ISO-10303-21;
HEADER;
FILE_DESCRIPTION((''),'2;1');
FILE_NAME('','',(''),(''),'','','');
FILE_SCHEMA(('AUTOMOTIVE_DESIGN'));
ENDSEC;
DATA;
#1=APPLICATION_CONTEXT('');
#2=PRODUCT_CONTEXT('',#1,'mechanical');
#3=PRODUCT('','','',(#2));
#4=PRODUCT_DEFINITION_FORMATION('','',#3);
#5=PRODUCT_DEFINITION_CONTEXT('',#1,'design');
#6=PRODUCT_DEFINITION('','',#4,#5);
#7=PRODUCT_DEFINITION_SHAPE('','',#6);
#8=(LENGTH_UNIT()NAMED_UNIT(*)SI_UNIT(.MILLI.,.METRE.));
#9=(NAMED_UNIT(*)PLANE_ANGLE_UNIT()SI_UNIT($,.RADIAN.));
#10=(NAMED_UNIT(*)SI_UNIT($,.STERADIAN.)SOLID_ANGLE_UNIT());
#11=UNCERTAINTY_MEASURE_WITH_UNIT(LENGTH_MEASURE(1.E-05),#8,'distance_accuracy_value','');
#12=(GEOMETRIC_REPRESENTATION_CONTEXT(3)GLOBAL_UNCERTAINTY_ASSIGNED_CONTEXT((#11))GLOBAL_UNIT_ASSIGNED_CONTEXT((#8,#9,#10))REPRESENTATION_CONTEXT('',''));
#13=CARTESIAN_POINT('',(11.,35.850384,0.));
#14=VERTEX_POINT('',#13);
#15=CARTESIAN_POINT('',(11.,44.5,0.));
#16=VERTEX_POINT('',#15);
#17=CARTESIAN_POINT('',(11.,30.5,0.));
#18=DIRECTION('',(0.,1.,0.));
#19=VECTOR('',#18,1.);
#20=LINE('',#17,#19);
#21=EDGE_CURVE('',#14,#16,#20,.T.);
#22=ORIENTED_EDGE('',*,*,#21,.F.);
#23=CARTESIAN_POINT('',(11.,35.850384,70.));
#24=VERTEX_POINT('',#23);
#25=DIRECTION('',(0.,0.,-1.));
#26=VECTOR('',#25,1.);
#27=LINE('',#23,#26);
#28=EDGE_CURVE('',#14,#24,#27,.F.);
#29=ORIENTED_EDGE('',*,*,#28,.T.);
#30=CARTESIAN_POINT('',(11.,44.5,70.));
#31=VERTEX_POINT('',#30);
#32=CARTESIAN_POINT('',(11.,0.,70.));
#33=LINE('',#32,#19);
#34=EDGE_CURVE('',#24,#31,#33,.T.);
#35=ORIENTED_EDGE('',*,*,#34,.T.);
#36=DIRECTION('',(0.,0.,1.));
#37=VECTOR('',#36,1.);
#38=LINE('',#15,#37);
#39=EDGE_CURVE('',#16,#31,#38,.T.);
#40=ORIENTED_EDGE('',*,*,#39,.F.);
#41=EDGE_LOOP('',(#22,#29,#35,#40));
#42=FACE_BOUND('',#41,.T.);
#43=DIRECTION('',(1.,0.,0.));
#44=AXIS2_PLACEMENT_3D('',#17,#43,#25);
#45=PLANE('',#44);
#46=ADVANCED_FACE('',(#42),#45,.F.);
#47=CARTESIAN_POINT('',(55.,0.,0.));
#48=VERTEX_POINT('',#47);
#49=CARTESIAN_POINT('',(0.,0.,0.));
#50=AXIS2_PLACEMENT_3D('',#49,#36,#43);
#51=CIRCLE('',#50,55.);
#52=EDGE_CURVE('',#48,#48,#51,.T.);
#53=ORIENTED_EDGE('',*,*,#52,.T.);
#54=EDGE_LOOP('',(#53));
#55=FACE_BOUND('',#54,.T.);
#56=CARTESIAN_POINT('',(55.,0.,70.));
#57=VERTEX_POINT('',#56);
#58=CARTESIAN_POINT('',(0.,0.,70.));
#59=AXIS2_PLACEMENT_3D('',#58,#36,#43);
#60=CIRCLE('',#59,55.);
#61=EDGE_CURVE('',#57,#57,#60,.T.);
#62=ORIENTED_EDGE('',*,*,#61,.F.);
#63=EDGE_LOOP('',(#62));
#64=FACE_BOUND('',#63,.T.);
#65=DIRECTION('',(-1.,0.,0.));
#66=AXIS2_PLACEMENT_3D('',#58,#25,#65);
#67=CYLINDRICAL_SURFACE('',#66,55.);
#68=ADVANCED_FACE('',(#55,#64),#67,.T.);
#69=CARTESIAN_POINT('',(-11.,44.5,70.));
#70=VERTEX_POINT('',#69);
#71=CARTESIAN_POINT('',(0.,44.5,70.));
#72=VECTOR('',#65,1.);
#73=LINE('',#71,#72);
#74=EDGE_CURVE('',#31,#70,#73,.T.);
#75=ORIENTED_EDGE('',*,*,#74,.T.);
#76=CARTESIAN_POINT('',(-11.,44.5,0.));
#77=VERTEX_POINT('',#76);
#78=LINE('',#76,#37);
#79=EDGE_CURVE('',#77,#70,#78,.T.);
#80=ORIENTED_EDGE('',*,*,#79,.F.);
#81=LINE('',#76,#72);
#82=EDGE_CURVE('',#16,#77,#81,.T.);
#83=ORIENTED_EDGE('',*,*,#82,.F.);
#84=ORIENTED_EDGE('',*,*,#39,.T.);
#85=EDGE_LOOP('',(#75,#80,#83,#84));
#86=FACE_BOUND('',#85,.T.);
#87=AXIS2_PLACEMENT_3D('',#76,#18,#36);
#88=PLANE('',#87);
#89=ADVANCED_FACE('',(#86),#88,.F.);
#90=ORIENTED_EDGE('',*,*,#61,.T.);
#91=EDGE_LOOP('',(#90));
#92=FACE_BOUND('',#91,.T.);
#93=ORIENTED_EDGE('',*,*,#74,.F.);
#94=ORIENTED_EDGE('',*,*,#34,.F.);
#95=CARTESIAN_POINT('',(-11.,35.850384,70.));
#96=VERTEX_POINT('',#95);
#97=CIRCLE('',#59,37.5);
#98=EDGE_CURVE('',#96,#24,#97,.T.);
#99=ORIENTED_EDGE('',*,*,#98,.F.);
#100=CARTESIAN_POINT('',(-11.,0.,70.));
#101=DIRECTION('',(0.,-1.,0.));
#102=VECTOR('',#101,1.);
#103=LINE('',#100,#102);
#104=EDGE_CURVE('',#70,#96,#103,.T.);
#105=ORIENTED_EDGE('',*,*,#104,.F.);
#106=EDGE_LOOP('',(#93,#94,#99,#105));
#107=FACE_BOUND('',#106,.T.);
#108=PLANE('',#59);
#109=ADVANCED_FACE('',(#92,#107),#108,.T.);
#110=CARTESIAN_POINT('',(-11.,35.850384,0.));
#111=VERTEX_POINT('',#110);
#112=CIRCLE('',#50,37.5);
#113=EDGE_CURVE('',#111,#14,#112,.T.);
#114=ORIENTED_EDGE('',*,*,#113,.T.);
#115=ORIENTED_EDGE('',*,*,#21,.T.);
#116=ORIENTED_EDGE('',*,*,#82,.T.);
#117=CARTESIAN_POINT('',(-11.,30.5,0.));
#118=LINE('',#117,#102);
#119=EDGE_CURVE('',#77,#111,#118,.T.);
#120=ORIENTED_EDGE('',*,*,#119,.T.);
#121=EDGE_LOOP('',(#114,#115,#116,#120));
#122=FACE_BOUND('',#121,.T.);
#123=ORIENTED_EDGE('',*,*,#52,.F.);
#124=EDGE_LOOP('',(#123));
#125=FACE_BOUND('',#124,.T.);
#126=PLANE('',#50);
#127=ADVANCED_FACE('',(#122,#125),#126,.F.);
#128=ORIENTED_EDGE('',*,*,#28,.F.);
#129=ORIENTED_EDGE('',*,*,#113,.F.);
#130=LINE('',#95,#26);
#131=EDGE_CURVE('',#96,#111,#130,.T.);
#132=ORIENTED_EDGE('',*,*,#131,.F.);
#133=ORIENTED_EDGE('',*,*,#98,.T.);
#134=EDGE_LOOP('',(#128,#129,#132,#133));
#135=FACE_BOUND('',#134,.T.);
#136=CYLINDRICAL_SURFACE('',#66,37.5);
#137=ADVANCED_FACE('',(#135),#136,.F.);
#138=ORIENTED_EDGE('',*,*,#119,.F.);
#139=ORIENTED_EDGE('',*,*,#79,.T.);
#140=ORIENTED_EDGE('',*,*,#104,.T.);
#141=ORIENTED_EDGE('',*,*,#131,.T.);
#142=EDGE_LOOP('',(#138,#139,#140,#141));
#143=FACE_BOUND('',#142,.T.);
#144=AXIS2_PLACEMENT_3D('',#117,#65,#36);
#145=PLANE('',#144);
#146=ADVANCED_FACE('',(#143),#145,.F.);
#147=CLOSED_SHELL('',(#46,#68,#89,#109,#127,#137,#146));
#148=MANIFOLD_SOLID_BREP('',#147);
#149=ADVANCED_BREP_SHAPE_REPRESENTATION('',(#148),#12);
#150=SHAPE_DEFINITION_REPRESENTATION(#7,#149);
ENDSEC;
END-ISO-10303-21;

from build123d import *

# Parameters (mm, degrees)
SKETCH1_R               = 55
SKETCH1_R_2             = 37.5
BOSS_EXTRUDE1_DEPTH     = 70
CUT_EXTRUDE1_DEPTH      = 105.642247682
CUT_EXTRUDE1_DEPTH_BACK = 105.642247682
SKETCH2_W               = 22
SKETCH2_H               = 14


with BuildPart() as part:
    # Sketch1 → Boss-Extrude1 (new body)
    with BuildSketch(Plane.XY):
        Circle(SKETCH1_R)
        Circle(SKETCH1_R_2, mode=Mode.SUBTRACT)
    extrude(amount=BOSS_EXTRUDE1_DEPTH)

    # Sketch2 → Cut-Extrude1 (cut, two sides: drawn at the far end of the back side and taken through both)
    with BuildSketch(Plane.XY.offset(70).offset(-CUT_EXTRUDE1_DEPTH_BACK)):
        with Locations((0, 37.5)):
            Rectangle(SKETCH2_W, SKETCH2_H)
    extrude(amount=CUT_EXTRUDE1_DEPTH + CUT_EXTRUDE1_DEPTH_BACK, mode=Mode.SUBTRACT)


solid = part.part
